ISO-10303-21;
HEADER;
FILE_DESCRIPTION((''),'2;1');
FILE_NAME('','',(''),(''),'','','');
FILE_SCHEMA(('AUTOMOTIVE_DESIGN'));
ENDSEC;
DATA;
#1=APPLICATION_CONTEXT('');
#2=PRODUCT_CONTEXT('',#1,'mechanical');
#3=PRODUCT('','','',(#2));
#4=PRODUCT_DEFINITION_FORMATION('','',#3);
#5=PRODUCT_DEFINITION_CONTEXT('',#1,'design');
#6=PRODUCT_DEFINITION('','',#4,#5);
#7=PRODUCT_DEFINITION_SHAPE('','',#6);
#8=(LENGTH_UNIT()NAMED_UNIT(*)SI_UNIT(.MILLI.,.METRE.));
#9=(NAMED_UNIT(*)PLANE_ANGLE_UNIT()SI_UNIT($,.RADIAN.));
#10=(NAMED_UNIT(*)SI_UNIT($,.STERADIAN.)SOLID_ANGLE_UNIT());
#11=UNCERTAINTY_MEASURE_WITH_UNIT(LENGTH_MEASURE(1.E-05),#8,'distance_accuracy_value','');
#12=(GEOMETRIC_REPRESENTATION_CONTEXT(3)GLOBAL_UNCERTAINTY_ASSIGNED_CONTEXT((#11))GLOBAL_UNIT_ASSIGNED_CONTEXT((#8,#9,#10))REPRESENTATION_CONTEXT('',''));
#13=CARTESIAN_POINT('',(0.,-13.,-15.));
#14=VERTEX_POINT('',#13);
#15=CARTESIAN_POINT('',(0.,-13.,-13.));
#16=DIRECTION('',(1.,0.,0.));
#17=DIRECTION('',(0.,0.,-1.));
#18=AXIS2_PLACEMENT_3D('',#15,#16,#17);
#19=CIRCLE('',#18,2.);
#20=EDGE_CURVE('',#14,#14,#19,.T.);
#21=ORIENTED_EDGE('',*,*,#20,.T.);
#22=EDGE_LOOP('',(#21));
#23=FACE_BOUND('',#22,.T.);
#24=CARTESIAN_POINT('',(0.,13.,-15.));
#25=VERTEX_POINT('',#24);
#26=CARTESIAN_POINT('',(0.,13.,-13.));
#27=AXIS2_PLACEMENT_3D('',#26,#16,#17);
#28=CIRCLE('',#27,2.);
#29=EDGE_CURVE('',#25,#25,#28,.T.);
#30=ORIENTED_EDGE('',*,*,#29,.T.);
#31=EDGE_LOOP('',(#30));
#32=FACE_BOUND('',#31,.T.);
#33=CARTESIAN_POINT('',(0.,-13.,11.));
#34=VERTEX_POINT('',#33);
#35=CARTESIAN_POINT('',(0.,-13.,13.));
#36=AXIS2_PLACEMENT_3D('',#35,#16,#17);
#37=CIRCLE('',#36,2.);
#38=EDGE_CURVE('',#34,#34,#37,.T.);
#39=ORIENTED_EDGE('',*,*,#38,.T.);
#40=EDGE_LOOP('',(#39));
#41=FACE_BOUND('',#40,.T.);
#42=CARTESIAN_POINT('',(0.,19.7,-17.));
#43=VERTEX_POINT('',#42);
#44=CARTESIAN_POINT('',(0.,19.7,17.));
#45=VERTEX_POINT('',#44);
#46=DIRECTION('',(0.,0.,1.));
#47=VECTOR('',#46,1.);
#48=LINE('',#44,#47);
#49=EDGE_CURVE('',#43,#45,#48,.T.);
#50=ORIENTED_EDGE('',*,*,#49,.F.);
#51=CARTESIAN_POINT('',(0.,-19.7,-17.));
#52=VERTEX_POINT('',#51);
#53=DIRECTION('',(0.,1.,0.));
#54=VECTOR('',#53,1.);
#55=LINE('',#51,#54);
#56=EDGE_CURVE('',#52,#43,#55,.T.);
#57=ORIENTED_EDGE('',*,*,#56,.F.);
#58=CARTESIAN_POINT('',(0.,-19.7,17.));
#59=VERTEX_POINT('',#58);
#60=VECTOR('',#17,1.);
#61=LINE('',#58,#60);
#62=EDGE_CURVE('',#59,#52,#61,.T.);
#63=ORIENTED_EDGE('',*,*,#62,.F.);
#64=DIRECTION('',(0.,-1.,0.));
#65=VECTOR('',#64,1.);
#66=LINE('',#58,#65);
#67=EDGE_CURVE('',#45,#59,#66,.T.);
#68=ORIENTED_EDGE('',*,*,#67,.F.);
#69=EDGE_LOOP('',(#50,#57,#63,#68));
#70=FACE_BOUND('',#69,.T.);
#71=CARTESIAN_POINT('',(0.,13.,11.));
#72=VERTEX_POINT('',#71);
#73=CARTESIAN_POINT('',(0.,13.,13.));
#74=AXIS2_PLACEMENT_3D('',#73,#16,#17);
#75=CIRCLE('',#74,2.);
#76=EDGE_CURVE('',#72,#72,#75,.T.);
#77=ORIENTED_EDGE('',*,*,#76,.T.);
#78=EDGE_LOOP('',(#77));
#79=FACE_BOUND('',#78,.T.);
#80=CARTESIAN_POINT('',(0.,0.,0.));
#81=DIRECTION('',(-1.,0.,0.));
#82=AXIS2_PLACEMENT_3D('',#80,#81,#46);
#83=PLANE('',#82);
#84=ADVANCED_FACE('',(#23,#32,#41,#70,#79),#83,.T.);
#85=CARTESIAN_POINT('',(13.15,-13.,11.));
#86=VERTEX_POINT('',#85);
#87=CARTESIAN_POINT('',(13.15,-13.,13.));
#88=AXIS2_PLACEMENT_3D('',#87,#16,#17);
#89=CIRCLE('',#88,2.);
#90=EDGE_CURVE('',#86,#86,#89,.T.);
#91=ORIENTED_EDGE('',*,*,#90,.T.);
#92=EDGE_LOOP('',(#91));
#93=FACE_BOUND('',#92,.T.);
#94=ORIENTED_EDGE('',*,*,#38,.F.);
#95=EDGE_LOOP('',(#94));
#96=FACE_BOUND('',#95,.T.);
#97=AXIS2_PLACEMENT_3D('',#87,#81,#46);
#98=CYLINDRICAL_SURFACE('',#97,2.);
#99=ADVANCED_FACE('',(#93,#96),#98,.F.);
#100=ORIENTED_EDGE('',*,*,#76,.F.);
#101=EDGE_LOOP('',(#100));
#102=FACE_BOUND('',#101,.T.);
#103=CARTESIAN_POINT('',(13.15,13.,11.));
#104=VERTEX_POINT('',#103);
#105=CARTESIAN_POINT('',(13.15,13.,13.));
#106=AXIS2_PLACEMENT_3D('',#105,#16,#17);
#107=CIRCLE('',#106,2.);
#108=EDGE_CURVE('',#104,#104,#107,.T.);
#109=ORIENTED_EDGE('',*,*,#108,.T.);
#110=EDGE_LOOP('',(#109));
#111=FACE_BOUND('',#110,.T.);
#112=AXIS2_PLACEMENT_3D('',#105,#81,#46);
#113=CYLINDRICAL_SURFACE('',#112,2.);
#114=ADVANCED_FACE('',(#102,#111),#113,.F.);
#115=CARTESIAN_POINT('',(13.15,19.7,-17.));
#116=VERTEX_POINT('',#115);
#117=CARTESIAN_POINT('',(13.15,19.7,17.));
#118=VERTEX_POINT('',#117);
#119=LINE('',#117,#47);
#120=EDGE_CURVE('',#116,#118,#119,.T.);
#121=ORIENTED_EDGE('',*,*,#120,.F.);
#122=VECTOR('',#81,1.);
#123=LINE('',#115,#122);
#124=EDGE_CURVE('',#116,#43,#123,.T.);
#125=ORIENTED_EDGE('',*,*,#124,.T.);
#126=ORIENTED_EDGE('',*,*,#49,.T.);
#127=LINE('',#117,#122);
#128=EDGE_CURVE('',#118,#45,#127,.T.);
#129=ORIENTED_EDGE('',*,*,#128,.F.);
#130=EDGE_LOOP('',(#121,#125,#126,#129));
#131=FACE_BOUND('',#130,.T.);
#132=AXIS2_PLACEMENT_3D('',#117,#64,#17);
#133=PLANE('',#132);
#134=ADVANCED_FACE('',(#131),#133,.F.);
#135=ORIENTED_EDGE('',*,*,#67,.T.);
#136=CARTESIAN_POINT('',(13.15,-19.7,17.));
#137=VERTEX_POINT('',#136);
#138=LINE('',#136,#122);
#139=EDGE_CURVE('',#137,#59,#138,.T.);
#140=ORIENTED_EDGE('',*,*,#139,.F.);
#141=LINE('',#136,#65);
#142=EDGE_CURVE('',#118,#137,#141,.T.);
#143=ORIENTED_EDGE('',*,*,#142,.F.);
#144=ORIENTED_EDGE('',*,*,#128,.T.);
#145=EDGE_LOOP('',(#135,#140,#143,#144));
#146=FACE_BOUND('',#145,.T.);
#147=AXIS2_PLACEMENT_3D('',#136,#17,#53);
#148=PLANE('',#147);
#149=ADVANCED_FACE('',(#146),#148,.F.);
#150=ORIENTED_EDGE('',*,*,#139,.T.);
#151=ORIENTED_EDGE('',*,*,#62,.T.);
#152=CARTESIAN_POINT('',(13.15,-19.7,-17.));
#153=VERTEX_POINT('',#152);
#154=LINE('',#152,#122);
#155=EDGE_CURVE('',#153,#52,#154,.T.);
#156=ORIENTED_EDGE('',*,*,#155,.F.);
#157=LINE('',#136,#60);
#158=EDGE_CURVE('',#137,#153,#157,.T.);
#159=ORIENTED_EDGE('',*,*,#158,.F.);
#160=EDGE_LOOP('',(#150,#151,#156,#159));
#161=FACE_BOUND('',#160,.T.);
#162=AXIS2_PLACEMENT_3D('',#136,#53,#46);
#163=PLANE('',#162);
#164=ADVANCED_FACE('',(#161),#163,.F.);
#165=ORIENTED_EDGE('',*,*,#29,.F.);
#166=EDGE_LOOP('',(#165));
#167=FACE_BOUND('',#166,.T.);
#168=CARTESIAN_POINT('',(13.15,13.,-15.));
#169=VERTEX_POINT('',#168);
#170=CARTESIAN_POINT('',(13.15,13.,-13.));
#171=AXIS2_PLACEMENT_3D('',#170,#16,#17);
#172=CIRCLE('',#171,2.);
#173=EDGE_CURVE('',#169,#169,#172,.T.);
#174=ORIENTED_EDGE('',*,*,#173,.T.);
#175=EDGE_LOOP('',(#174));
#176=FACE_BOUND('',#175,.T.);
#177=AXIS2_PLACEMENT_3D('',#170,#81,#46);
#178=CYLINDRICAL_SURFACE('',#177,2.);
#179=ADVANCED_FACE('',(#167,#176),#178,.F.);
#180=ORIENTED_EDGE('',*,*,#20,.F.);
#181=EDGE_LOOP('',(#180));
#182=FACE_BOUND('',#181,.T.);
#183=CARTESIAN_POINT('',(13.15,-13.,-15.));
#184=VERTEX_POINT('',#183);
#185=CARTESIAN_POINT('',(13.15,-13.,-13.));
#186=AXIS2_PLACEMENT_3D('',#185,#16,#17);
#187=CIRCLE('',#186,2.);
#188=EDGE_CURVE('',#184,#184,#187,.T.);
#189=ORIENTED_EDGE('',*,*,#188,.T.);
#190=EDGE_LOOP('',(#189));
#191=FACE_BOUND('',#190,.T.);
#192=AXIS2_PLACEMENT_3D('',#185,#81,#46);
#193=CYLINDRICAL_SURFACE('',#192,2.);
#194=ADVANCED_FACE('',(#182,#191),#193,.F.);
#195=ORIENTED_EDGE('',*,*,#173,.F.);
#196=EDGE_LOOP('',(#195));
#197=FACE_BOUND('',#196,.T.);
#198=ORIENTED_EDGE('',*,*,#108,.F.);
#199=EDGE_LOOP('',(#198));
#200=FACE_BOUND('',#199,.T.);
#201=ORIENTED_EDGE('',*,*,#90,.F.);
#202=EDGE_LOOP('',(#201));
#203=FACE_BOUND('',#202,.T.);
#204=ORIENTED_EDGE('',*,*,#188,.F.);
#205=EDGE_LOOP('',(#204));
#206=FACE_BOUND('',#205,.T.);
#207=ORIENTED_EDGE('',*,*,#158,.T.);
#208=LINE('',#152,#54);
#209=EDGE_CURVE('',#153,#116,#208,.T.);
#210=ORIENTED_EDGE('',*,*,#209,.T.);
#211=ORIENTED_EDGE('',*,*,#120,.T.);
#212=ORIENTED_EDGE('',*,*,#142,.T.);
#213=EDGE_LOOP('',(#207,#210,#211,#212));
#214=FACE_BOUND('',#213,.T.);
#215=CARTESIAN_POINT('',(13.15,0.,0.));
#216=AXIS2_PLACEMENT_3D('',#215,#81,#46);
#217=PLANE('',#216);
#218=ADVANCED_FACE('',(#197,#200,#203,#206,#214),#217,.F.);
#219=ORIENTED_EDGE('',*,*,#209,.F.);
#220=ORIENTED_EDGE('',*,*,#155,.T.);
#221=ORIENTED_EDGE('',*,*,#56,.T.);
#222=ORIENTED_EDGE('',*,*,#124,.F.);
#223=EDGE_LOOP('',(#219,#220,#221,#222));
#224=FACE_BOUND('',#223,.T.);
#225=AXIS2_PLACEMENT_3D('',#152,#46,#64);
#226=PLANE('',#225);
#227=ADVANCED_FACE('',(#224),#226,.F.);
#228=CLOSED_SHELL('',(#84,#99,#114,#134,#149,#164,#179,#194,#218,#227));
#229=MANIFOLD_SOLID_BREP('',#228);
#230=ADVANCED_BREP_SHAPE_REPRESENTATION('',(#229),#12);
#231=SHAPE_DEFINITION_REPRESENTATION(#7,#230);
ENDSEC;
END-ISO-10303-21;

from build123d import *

# Parameters (mm, degrees)
SKETCH_1_W      = 34
SKETCH_1_H      = 39.4
SKETCH_1_R      = 2
EXTRUDE_1_DEPTH = 13.15


with BuildPart() as part:
    # Эскиз1 → Бобышка-Вытянуть1 (new body)
    with BuildSketch(Plane(origin=(0, 0, 0), x_dir=(0, 0, -1), z_dir=(1, 0, 0))):
        Rectangle(SKETCH_1_W, SKETCH_1_H)
        with Locations((-13, 13)):
            Circle(SKETCH_1_R, mode=Mode.SUBTRACT)
        with Locations((13, 13)):
            Circle(SKETCH_1_R, mode=Mode.SUBTRACT)
        with Locations((13, -13)):
            Circle(SKETCH_1_R, mode=Mode.SUBTRACT)
        with Locations((-13, -13)):
            Circle(SKETCH_1_R, mode=Mode.SUBTRACT)
    extrude(amount=EXTRUDE_1_DEPTH)


solid = part.part
